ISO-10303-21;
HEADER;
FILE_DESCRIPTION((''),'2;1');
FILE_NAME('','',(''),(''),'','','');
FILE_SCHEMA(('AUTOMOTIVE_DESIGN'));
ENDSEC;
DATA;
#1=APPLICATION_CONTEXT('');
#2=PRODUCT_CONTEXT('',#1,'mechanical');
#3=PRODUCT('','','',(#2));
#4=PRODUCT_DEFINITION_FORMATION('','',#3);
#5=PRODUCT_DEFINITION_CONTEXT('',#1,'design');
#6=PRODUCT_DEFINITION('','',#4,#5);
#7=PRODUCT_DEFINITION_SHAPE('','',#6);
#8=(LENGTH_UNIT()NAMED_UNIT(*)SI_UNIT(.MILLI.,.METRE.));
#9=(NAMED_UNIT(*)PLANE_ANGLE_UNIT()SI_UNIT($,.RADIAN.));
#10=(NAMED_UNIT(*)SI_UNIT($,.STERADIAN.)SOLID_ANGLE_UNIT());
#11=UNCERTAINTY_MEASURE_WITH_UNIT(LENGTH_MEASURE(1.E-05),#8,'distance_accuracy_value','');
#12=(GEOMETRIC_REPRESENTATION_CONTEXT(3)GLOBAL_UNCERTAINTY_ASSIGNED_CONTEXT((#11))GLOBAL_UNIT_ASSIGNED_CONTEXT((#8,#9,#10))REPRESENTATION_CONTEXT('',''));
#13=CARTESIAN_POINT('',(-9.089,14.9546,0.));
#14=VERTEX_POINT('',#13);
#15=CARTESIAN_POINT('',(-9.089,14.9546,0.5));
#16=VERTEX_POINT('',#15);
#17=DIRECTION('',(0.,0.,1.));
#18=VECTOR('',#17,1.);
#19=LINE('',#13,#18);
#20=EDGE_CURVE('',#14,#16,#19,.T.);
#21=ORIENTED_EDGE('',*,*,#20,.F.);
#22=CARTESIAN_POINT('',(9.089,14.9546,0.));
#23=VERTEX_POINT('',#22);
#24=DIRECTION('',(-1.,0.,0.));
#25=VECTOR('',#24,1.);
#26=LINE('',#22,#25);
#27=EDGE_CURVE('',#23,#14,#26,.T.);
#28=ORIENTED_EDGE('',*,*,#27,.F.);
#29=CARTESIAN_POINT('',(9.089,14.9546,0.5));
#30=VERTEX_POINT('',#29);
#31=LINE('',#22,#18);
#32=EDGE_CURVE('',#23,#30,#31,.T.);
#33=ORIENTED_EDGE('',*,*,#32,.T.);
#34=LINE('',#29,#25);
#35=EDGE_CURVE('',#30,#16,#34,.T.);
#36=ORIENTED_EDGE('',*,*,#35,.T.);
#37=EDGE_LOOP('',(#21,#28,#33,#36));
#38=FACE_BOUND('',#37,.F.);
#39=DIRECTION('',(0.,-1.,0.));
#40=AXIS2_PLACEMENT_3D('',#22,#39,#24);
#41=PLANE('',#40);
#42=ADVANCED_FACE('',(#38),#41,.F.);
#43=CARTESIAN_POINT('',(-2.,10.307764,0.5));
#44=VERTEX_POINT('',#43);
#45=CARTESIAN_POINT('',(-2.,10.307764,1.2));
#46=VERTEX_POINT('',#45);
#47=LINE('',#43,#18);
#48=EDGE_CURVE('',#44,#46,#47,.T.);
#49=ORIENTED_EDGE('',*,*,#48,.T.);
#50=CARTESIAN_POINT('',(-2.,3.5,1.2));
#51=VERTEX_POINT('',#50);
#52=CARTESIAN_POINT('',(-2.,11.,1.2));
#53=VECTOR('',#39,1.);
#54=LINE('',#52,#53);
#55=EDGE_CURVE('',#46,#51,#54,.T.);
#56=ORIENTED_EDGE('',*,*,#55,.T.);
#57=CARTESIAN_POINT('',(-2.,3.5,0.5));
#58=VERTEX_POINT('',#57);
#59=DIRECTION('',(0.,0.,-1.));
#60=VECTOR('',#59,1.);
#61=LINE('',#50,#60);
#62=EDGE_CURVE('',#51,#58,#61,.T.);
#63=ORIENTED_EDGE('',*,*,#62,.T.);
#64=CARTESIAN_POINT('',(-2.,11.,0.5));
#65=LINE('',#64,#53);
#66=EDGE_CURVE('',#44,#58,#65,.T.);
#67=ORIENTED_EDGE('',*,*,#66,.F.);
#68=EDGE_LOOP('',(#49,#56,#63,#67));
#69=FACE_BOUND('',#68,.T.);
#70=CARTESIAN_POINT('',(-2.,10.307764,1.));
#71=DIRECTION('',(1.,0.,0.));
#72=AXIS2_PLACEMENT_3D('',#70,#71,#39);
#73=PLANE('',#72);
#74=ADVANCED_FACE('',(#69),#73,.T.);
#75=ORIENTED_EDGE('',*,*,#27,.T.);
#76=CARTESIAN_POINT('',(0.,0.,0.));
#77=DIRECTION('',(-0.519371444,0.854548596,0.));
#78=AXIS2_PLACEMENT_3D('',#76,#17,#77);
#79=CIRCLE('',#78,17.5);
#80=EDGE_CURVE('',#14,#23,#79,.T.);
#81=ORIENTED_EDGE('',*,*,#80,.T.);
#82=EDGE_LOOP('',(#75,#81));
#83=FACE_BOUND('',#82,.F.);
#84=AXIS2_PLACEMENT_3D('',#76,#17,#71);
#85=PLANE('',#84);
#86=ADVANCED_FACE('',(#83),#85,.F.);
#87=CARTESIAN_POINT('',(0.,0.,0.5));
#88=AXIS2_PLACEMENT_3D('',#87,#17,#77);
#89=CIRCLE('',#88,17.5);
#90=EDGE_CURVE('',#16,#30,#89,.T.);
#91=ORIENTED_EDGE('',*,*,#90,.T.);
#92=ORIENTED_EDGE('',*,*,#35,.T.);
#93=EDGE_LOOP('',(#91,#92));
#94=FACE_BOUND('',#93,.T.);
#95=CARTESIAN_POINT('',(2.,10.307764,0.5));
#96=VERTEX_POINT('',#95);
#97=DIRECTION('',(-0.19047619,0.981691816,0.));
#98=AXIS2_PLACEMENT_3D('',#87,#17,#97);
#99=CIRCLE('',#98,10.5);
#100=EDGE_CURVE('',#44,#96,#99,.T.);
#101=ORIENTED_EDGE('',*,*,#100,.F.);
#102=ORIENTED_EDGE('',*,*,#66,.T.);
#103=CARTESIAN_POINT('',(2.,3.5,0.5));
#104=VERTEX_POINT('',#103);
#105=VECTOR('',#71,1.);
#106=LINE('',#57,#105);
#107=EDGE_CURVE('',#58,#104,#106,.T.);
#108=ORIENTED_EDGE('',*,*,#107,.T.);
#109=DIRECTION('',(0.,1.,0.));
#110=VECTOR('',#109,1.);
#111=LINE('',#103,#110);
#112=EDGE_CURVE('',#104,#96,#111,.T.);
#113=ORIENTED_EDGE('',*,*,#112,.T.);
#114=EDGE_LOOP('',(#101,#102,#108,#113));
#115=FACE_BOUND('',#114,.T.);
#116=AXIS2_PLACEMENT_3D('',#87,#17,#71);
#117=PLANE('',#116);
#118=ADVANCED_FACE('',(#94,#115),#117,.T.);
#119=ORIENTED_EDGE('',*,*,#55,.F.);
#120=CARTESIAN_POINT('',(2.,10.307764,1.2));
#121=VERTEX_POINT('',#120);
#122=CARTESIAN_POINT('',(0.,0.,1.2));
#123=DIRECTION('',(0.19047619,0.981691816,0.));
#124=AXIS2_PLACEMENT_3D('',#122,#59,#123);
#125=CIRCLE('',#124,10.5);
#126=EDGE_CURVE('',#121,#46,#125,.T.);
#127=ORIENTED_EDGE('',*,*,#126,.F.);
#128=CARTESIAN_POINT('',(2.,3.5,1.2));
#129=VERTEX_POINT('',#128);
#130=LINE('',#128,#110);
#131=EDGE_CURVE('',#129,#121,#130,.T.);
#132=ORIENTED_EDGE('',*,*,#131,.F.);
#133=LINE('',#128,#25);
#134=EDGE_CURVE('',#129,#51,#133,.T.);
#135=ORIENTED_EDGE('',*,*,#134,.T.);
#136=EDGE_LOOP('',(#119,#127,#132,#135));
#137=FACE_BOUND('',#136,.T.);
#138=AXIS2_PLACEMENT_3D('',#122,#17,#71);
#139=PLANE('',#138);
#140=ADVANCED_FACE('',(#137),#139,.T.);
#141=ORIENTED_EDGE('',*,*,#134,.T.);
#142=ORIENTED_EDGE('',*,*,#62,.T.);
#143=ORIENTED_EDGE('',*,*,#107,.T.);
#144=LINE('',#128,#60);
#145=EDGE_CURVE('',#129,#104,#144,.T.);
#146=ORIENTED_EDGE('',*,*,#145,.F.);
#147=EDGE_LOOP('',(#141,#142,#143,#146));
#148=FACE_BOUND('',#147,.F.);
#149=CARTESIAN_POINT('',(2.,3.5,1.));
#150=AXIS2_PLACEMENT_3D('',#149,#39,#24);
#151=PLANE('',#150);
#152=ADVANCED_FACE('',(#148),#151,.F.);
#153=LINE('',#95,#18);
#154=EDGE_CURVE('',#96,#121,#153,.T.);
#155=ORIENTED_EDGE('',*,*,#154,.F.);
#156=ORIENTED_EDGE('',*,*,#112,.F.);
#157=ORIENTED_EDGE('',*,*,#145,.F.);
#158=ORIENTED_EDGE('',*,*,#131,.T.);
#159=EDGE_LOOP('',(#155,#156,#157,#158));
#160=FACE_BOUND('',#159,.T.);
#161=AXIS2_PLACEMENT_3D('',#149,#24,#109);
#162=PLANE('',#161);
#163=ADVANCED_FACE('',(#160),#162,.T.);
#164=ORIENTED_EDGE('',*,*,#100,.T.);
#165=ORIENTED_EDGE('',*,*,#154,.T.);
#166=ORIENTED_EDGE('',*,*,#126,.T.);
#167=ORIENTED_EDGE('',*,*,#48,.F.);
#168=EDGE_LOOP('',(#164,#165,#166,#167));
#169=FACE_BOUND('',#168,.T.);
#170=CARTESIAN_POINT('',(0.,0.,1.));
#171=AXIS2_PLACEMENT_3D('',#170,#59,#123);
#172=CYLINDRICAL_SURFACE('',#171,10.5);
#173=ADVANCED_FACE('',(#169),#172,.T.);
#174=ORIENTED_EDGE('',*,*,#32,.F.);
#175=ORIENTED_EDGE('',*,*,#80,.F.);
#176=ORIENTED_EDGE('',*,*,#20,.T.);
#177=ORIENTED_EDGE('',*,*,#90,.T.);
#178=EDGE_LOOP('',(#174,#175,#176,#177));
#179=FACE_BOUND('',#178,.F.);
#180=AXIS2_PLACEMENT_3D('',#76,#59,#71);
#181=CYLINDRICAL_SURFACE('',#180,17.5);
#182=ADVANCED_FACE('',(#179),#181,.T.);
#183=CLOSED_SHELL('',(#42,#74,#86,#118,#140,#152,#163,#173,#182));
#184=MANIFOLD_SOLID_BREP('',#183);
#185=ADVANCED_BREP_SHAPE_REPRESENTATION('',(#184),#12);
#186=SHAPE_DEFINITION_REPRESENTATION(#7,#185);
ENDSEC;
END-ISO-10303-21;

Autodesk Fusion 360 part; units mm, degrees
sketch "Szkic1" plane through (0, 0, 0) normal (0, 0, 1) x (1, 0, 0)
  circle A0 centre (0, 0) radius 10.5
  line L0 (0, 10.5) -> (0, 3.5) construction
  line L1 (0, 3.5) -> (2, 3.5)
  line L2 (2, 3.5) -> (2, 11)
  line L3 (2, 11) -> (-2, 11)
  line L4 (-2, 11) -> (-2, 3.5)
  line L5 (-2, 3.5) -> (0, 3.5)
  circle A1 centre (0, 0) radius 17.5
  line L6 (9.089, 14.9546) -> (-9.089, 14.9546)
  dimension "d1" = 21
  dimension "d2" = 7
  dimension "d3" = 2
  dimension "d4" = 3.5
  dimension "d5" = 2
  dimension "d6" = 3.5
  dimension "d7" = 0.5
  dimension "d10" = 35
  dimension "d15" = 18.1779
extrude "Wyciągnięcie proste1" add sketch "Szkic1" along normal blind 1 contours A0 L1 L2 L4 L5 picked at (1.5608, -1.0505)
extrude "Wyciągnięcie proste2" add sketch "Szkic1" along normal blind 0.5 contours A0 L1 L2 L4 L5 | A0 L2 L3 L4 | A1 L6 picked at (-1.3333, 5.7693) picked at (0.6667, 13.6364)
extrude "Wyciągnięcie proste3" add 1 faces at (0, -1.1667, 1) along direction (0, 0, 1) blind 0.2
